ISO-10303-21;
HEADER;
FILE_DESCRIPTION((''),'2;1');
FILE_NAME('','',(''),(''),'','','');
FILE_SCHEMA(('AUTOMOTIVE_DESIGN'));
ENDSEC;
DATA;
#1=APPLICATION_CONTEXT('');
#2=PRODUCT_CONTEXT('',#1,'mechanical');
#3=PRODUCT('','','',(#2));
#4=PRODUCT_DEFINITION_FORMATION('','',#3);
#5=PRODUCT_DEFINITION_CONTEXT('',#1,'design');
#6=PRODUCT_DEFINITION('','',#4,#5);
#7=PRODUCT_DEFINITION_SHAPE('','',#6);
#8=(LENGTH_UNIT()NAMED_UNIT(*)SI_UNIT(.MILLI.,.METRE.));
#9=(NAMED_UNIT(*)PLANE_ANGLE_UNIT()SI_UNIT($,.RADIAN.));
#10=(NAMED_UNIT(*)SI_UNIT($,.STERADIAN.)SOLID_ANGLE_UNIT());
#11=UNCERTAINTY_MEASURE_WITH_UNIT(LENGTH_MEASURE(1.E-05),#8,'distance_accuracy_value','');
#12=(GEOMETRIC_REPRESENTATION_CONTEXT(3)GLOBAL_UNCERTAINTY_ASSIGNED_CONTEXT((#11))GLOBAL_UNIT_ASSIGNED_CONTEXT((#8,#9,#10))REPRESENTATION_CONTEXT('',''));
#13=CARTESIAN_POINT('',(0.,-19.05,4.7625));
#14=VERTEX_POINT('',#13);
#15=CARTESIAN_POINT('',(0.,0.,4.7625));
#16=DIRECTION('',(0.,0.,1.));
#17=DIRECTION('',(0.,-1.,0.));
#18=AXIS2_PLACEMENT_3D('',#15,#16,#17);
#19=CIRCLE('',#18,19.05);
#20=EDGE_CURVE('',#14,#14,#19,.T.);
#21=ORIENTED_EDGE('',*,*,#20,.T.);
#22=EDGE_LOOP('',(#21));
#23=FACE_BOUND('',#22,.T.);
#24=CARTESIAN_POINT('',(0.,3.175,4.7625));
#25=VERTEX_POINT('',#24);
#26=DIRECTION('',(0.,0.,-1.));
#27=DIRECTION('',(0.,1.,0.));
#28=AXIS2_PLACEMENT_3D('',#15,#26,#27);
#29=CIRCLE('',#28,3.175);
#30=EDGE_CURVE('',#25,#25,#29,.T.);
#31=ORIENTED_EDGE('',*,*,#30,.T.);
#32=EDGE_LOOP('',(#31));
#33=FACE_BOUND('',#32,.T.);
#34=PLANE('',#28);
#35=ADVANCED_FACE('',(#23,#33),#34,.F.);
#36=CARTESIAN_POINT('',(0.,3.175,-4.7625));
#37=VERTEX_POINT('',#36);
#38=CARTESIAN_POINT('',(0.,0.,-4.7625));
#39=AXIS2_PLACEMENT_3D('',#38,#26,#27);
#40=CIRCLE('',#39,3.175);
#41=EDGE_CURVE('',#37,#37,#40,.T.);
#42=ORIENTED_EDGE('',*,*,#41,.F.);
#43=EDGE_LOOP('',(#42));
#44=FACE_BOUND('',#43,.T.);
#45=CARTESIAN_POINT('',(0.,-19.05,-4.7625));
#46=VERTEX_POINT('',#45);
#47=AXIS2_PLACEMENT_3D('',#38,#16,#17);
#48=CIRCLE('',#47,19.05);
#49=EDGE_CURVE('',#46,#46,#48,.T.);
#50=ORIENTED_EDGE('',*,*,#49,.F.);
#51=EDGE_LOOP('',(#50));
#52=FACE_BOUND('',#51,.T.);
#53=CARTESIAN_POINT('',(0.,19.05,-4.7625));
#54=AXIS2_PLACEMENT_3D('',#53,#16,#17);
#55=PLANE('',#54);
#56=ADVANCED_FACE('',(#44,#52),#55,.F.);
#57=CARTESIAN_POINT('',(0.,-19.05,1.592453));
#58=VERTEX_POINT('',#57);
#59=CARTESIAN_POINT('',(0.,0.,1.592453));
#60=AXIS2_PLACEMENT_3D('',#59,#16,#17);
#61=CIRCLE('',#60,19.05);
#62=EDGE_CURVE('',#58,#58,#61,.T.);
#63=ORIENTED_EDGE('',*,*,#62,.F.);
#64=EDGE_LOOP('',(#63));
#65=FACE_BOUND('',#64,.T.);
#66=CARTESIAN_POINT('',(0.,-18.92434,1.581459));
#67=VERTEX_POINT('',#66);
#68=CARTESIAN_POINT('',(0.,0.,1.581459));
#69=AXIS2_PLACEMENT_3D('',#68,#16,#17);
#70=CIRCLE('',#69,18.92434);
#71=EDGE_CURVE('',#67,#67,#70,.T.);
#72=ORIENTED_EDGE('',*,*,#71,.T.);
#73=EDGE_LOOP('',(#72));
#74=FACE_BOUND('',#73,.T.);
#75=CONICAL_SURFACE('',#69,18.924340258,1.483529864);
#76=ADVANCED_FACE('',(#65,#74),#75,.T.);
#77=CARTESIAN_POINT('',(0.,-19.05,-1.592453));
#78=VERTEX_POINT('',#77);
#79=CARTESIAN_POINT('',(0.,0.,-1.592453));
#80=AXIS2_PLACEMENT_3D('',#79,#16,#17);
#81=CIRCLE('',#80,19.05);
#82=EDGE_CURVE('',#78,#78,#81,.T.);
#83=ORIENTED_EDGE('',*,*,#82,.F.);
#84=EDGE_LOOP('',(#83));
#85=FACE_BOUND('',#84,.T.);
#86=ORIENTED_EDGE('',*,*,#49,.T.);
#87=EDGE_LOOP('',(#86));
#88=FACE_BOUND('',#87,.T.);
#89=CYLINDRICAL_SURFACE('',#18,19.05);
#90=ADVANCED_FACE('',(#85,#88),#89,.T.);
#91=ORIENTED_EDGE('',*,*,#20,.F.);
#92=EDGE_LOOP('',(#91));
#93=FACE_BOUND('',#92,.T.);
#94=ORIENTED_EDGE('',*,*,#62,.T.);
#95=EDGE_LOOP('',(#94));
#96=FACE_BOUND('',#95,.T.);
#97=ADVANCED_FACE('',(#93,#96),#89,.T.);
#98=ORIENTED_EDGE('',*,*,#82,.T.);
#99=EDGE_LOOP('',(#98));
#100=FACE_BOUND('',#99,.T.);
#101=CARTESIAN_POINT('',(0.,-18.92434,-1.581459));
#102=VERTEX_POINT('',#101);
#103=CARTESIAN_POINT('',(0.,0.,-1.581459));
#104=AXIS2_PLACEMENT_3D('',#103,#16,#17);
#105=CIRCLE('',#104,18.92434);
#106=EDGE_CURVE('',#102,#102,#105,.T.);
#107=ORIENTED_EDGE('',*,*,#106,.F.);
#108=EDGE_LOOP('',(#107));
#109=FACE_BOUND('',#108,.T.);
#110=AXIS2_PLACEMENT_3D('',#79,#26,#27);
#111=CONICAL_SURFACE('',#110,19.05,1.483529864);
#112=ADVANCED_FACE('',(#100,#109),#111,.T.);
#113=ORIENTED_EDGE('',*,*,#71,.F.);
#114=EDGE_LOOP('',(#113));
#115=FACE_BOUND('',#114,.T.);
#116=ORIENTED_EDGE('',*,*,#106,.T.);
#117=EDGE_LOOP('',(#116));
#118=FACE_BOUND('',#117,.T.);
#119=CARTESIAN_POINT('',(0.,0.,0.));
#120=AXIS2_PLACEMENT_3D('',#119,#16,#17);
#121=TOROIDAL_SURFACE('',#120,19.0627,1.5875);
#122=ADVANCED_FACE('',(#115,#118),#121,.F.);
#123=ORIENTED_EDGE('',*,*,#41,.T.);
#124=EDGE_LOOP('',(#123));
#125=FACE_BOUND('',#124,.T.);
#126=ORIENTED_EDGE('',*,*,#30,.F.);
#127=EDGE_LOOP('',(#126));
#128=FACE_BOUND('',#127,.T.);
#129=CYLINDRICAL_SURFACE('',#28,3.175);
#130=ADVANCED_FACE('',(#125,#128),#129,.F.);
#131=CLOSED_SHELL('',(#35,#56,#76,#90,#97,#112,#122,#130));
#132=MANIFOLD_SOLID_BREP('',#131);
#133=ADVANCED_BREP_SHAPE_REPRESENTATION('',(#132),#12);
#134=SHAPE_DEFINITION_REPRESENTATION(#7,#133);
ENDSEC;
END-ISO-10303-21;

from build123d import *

# Parameters (mm, degrees)
SKETCH2_R          = 3.175
CUT_EXTRUDE1_DEPTH = 9.525


with BuildPart() as part:
    # Sketch1 → Revolve1 (revolve)
    with BuildSketch(Plane(origin=(0, 0, 0), x_dir=(0, 0, -1), z_dir=(1, 0, 0)), mode=Mode.PRIVATE) as revolve1_sk:
        with BuildLine():
            Line((1.592452886, 19.05), (4.7625, 19.05))
            Line((4.7625, 19.05), (4.7625, 0))
            Line((4.7625, 0), (-4.7625, 0))
            Line((-4.7625, 0), (-4.7625, 19.05))
            Line((-4.7625, 19.05), (-1.592452886, 19.05))
            Line((-1.592452886, 19.05), (-1.581459083, 18.924340258))
            ThreePointArc((-1.581459083, 18.924340258), (0, 17.4752), (1.581459083, 18.924340258))
            Line((1.581459083, 18.924340258), (1.592452886, 19.05))
        make_face()
    revolve(revolve1_sk.sketch.rotate(Axis((0, 0, 4.7625), (0, 0, -1)), 180), axis=Axis((0, 0, 4.7625), (0, 0, -1)))

    # Sketch2 → Cut-Extrude1 (cut)
    with BuildSketch(Plane(origin=(0, 0, -4.7625), x_dir=(-1, 0, 0), z_dir=(0, 0, -1))):
        with Locations(Location((0, 0, 0), (0, 0, 90))):
            Circle(SKETCH2_R)
    extrude(amount=-CUT_EXTRUDE1_DEPTH, mode=Mode.SUBTRACT)


solid = part.part
